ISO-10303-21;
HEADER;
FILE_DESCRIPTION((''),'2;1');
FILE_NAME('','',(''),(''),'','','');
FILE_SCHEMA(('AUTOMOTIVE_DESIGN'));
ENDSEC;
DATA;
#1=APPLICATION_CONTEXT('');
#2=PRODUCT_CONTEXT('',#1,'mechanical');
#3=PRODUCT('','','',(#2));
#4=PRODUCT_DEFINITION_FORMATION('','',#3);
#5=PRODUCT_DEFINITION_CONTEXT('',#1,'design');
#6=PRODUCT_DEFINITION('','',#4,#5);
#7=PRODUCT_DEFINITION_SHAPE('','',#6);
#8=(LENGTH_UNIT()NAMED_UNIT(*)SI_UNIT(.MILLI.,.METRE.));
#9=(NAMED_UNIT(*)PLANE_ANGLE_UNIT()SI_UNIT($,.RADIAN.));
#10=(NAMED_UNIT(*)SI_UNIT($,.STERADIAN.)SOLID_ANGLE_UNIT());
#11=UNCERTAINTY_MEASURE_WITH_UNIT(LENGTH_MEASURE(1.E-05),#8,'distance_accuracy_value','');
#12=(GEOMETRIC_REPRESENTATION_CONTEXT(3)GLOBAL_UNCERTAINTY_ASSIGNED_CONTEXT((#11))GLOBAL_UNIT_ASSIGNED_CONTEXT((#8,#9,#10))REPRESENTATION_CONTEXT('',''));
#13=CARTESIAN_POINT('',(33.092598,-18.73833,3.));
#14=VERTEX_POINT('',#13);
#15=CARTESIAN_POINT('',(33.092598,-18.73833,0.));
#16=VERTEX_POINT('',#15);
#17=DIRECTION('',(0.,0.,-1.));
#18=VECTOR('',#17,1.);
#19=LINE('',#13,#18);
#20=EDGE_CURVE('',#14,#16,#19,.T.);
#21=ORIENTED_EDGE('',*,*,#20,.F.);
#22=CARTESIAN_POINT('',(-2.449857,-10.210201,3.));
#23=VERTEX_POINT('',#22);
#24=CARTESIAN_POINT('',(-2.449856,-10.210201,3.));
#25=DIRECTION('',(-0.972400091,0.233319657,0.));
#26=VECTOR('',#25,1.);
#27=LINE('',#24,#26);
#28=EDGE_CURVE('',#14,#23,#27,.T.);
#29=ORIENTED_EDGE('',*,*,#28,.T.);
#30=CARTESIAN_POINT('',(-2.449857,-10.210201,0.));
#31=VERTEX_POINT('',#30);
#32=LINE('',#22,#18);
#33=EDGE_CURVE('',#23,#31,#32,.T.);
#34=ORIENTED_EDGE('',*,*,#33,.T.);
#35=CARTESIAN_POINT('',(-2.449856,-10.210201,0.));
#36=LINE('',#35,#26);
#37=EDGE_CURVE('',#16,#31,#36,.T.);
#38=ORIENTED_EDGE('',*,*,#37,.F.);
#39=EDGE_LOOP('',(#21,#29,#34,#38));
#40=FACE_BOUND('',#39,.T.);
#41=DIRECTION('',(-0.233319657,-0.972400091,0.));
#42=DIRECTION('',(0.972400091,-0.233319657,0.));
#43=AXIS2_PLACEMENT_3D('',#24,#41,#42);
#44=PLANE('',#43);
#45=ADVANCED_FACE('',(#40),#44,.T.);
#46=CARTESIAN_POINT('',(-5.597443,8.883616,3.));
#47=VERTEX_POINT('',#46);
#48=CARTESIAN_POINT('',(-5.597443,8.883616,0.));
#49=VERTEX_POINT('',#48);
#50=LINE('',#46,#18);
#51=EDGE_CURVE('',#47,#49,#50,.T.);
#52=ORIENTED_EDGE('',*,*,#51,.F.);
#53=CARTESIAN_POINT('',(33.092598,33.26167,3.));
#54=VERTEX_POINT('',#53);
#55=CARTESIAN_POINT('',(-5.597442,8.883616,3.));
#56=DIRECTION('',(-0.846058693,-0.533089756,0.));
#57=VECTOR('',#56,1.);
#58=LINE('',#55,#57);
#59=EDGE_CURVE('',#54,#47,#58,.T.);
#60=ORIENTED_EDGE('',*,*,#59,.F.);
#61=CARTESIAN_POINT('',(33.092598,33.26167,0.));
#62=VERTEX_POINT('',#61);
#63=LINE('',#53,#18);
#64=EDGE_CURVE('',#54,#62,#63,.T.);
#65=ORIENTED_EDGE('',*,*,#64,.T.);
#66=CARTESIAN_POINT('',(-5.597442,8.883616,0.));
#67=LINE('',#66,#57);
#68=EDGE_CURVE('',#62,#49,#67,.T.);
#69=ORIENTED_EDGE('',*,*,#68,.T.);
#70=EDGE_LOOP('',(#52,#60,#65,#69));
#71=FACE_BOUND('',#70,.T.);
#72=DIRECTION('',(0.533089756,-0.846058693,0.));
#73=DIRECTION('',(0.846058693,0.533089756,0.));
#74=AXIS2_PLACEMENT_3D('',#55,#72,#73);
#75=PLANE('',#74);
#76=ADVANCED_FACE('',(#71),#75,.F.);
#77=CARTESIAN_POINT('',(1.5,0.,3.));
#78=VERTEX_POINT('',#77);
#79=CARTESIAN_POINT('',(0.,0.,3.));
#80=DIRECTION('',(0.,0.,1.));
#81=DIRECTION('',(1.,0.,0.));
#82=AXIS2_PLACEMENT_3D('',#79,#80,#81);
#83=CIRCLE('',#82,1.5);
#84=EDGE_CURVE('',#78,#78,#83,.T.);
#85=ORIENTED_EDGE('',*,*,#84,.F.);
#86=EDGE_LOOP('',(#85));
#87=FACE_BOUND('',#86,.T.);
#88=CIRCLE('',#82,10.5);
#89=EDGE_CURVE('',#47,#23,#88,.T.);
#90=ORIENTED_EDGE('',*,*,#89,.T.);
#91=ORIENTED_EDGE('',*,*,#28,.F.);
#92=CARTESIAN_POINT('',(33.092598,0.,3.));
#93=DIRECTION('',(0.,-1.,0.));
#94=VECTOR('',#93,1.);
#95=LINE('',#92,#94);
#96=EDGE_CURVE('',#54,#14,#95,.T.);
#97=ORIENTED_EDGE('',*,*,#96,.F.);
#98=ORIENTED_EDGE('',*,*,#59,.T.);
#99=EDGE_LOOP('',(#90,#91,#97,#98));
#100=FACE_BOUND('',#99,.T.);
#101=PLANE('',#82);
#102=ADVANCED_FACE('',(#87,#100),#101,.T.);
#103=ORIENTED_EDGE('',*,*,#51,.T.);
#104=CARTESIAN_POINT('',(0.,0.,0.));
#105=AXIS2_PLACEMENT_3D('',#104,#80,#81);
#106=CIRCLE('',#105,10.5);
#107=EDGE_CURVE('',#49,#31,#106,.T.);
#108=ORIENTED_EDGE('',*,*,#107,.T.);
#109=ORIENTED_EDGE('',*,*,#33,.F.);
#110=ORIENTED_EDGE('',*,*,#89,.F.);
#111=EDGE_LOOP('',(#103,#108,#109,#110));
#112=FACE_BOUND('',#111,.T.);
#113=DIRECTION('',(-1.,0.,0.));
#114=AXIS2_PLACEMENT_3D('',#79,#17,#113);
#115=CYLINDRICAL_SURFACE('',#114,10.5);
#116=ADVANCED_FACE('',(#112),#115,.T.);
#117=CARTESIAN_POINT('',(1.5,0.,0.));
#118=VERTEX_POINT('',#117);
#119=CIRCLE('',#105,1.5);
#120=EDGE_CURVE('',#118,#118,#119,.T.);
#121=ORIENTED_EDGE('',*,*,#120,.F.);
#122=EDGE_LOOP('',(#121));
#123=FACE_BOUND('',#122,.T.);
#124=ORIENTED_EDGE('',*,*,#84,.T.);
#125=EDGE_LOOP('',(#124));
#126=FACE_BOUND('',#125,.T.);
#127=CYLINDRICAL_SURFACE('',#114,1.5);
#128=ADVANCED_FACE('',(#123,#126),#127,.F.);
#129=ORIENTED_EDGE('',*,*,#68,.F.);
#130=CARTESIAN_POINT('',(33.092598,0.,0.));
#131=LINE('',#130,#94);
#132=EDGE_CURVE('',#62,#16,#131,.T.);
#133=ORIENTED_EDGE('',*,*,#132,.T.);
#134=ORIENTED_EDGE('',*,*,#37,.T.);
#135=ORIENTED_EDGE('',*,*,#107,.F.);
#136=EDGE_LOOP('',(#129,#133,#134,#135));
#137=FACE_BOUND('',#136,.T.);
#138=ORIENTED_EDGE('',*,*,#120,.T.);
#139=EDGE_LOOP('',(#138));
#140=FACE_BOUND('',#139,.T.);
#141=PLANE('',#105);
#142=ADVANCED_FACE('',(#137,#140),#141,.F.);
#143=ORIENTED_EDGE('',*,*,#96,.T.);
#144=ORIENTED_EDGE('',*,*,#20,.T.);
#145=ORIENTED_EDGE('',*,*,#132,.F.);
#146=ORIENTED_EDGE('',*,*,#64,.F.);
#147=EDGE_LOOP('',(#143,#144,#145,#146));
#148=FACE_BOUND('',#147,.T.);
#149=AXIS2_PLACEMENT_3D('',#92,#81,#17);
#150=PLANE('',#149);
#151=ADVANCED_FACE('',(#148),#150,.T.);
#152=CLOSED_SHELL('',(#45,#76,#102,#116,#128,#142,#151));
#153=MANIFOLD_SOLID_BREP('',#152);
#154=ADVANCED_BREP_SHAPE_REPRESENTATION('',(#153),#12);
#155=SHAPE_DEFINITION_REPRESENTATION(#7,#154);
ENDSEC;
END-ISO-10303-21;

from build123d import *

# Parameters (mm, degrees)
MODEL_R                 = 1.500000302
SALIENTE_EXTRUIR1_DEPTH = 3


with BuildPart() as part:
    # Model → Saliente-Extruir1 (new body)
    with BuildSketch(Plane.XY):
        with BuildLine():
            Line((33.092598302, 20.364675113), (33.092598302, 33.261670113))
            Line((33.092598302, 33.261670113), (-5.597442698, 8.883616113))
            ThreePointArc((-5.597442698, 8.883616113), (-10.360174651, -1.707858659), (-2.449856698, -10.210200887))
            Line((-2.449856698, -10.210200887), (33.092598302, -18.738329887))
            Line((33.092598302, -18.738329887), (33.092598302, 20.364675113))
        make_face()
        Circle(MODEL_R, mode=Mode.SUBTRACT)
    extrude(amount=SALIENTE_EXTRUIR1_DEPTH)


solid = part.part
